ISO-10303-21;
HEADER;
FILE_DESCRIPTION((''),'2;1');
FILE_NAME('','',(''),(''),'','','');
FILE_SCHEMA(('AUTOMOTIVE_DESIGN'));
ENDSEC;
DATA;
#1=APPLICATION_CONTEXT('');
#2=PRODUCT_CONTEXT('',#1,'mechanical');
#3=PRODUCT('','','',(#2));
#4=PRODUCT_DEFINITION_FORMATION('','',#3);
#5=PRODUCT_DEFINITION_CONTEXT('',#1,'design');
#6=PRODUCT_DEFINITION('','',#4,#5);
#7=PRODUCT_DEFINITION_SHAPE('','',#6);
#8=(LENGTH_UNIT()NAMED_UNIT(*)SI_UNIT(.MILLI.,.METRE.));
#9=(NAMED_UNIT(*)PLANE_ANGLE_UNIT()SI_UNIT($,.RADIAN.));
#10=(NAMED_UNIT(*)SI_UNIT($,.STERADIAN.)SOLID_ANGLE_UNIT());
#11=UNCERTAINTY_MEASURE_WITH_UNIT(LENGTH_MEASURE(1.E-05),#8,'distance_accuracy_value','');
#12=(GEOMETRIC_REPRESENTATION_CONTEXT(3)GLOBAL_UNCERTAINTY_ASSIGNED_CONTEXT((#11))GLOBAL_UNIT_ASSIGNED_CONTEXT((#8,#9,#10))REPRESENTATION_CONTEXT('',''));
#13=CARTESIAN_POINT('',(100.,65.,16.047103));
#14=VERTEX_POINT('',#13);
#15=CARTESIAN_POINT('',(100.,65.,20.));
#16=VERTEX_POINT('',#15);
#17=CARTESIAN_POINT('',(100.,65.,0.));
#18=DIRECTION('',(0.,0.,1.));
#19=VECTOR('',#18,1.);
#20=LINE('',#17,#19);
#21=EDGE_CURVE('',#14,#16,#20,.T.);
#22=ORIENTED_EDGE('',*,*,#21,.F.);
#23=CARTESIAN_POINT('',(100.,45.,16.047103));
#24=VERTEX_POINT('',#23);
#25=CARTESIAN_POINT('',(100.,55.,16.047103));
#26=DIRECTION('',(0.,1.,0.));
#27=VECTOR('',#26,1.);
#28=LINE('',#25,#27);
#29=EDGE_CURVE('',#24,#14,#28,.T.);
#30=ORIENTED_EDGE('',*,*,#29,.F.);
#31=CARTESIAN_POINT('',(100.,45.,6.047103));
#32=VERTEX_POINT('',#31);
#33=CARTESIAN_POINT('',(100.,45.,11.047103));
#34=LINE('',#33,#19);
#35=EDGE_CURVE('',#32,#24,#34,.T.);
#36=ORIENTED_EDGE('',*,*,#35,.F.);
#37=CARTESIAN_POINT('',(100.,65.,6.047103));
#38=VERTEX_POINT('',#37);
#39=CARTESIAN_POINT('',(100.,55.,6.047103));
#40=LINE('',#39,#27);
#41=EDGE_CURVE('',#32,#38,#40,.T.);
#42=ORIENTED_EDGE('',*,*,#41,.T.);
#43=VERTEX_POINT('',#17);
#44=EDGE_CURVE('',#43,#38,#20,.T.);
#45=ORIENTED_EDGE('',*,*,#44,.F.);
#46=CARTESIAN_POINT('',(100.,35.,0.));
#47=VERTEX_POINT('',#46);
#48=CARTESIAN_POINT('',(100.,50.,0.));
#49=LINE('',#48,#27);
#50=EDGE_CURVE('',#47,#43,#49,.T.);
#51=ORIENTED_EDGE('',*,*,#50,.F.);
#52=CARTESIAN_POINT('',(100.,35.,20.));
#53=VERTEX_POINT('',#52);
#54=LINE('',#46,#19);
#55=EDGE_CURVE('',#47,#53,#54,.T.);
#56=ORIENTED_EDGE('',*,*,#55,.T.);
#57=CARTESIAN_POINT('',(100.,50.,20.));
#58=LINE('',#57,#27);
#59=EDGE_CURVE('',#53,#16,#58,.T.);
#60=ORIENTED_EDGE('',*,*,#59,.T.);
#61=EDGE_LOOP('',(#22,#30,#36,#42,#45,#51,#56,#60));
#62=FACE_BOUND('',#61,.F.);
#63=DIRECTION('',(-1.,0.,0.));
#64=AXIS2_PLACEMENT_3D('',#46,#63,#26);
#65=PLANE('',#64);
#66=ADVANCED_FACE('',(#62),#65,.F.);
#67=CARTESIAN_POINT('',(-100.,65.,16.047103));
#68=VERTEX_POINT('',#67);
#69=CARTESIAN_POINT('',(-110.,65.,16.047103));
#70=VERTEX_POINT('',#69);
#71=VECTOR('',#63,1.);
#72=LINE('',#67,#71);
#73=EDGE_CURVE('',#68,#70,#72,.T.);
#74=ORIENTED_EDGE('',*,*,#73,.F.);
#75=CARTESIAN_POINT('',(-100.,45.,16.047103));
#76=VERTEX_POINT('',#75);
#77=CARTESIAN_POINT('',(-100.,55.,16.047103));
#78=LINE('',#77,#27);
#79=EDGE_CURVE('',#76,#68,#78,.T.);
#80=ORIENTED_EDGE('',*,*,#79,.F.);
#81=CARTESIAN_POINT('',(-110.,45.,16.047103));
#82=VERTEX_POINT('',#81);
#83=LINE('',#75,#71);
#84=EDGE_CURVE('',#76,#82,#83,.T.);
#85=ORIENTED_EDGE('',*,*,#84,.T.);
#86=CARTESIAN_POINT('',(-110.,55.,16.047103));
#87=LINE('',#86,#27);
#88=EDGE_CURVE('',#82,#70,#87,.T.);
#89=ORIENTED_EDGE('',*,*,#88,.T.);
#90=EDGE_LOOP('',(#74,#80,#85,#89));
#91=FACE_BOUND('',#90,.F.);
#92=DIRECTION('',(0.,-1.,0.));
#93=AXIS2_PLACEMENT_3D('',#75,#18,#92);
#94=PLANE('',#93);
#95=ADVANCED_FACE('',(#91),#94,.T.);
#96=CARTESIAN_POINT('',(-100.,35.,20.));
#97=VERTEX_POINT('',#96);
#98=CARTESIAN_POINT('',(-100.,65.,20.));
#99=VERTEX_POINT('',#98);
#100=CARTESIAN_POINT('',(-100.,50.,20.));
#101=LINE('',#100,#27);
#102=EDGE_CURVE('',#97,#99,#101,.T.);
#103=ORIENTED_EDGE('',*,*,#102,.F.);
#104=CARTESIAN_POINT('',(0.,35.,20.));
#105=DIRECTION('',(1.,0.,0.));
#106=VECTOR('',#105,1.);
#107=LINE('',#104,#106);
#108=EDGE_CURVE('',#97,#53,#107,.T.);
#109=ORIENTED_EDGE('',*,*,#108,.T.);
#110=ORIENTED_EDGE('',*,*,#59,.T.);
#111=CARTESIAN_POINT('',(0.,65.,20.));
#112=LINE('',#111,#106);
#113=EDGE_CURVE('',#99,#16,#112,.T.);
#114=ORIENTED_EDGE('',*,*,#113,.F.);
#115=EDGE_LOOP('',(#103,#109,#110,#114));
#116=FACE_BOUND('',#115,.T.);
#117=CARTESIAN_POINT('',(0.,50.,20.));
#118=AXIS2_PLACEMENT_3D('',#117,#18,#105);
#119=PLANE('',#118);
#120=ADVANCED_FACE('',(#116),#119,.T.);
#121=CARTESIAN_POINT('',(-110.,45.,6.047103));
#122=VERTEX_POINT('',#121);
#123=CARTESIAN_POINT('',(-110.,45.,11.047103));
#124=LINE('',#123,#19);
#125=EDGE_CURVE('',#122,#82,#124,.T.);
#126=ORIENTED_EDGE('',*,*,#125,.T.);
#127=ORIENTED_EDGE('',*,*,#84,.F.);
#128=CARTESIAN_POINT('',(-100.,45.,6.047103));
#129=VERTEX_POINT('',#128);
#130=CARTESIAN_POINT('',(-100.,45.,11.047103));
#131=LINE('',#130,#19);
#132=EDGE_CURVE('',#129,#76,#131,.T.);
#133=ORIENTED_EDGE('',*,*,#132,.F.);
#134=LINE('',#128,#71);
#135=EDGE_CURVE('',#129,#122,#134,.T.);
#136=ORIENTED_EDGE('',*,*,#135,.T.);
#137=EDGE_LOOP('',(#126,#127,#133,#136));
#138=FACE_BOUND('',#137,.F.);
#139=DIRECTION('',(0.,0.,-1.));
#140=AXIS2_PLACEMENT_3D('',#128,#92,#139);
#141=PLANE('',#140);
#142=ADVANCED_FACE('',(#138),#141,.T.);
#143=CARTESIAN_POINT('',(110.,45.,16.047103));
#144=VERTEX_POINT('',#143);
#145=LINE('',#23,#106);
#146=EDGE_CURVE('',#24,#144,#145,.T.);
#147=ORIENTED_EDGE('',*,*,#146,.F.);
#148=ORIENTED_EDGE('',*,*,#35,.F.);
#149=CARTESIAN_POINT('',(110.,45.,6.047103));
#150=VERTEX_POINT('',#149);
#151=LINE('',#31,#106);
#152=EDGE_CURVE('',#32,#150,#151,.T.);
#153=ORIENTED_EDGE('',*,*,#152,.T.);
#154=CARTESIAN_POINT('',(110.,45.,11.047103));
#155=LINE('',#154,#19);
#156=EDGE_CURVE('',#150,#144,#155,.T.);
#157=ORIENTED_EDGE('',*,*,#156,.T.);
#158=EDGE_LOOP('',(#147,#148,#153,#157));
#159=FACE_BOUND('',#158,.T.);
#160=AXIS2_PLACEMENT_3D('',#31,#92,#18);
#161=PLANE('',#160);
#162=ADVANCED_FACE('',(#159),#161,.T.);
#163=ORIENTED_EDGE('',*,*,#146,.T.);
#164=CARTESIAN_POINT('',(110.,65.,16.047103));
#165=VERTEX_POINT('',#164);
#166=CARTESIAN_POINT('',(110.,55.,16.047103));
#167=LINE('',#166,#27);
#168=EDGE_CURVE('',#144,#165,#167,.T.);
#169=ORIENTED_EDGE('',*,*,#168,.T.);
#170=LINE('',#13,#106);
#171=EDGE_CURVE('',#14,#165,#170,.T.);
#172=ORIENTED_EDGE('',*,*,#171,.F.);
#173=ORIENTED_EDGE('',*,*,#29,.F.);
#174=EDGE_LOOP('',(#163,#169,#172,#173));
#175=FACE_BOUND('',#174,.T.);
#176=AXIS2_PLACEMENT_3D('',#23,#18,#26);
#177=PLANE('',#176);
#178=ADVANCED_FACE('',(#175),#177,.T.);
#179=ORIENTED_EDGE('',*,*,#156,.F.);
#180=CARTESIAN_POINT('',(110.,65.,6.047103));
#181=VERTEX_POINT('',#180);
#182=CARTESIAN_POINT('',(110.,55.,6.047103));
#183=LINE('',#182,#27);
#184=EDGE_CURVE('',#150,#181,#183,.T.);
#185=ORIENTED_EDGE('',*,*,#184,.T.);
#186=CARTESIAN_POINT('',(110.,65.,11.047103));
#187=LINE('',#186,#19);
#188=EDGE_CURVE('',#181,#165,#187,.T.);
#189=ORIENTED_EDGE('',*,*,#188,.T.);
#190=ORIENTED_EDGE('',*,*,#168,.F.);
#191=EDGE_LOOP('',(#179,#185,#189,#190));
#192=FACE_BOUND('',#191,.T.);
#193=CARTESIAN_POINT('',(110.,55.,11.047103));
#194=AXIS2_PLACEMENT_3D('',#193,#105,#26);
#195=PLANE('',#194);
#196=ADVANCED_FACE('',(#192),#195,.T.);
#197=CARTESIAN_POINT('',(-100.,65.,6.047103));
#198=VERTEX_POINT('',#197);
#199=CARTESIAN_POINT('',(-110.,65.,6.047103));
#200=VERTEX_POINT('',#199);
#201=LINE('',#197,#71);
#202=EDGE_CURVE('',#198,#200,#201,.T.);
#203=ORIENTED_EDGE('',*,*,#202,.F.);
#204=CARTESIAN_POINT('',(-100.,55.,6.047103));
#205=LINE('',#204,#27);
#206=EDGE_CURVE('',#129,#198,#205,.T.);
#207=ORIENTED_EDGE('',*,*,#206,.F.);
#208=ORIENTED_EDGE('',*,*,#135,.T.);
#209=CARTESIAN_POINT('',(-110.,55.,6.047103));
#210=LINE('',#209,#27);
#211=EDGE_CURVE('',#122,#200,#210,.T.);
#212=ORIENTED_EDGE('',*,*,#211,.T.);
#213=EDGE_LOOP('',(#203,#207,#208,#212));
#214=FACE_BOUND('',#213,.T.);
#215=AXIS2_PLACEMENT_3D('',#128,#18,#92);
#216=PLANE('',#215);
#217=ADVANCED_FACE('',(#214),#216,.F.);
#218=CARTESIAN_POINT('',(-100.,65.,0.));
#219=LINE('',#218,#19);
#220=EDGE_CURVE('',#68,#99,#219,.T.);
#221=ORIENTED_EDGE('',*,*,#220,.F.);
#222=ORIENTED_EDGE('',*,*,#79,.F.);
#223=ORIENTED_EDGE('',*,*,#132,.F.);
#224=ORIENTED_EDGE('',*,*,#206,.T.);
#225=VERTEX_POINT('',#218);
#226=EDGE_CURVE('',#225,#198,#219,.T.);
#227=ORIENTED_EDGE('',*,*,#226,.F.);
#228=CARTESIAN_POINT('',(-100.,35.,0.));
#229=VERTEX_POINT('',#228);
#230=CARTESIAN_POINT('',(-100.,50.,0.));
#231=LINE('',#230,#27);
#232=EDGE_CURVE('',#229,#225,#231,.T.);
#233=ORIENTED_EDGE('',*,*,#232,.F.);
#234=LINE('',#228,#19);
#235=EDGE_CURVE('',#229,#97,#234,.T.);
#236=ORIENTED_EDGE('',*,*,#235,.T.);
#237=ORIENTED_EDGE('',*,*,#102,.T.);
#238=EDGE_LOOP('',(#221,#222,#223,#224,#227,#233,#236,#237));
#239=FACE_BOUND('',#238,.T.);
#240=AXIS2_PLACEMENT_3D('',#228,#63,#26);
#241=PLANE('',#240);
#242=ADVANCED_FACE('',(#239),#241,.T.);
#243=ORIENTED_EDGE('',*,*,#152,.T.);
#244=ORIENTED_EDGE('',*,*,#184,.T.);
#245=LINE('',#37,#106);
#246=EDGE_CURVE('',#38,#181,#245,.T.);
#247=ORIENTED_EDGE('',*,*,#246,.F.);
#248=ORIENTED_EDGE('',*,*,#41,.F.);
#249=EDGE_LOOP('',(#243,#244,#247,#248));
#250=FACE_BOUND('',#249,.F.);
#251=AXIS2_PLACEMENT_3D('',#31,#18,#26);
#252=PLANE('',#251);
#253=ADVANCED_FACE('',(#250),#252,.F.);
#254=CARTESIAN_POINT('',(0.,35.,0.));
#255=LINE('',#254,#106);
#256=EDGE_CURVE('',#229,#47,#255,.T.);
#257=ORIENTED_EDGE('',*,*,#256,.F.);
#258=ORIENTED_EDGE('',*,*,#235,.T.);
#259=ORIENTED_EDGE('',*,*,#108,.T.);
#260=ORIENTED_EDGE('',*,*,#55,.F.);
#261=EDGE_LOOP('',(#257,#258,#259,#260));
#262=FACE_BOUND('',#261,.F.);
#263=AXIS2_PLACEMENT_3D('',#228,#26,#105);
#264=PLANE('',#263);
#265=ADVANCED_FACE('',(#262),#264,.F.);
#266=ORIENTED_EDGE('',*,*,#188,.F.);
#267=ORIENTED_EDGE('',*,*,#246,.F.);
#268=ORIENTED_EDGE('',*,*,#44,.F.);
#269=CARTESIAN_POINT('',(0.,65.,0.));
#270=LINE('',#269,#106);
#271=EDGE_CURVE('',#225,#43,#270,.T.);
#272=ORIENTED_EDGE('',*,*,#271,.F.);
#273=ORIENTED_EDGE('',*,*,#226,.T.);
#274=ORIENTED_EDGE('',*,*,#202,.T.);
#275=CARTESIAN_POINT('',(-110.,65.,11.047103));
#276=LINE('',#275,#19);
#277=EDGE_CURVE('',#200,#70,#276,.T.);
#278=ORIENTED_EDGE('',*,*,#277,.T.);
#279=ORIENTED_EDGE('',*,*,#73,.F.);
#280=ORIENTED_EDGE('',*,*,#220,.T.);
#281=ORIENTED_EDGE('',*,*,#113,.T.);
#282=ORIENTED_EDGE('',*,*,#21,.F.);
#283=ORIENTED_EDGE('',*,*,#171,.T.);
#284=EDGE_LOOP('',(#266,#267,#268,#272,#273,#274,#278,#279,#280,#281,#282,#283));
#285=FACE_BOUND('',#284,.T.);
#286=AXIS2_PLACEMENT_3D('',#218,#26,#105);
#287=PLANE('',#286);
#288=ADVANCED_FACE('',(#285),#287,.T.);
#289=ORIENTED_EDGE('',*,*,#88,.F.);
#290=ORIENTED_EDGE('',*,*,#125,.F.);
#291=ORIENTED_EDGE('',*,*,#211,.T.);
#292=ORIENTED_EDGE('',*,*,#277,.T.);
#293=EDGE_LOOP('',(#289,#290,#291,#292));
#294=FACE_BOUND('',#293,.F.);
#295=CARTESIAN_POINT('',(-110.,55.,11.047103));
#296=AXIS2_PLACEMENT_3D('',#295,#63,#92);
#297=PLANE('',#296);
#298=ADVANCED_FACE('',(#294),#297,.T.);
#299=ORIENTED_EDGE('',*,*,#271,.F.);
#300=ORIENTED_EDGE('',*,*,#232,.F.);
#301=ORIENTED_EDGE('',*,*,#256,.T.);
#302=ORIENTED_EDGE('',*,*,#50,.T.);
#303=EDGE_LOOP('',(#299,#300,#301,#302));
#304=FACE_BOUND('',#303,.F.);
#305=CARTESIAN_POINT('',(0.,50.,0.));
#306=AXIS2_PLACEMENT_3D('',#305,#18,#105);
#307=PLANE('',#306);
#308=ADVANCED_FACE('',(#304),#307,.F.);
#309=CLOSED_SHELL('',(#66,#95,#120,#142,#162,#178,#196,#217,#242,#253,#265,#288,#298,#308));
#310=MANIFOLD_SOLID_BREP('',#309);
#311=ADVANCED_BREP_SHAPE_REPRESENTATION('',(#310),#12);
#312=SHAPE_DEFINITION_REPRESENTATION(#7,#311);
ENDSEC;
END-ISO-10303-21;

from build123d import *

# Parameters (mm, degrees)
F0_W     = 200
F0_H     = 30
F1_DEPTH = 20
F2_W     = 20
F2_H     = 10
F3_DEPTH = 10


with BuildPart() as f1:
    # F0 (on Top) → F1 (new body)
    with BuildSketch(Plane.XY):
        Rectangle(F0_W, F0_H)
    extrude(amount=F1_DEPTH)

    # F2 (on face) → F3 (join)
    with BuildSketch(Plane.YZ.offset(100)):
        with Locations((5, 11.047103)):
            Rectangle(F2_W, F2_H)
    extrude(amount=F3_DEPTH)

    # F4: F1 across plane


with BuildPart() as f1_1:
    add(f1.part)
    add(f1.part.mirror(Plane.YZ))


with BuildPart() as f5_1:
    # F5: copy of F1
    add(f1_1.part.moved(Location((0, 50, 0))))


solid = f5_1.part
